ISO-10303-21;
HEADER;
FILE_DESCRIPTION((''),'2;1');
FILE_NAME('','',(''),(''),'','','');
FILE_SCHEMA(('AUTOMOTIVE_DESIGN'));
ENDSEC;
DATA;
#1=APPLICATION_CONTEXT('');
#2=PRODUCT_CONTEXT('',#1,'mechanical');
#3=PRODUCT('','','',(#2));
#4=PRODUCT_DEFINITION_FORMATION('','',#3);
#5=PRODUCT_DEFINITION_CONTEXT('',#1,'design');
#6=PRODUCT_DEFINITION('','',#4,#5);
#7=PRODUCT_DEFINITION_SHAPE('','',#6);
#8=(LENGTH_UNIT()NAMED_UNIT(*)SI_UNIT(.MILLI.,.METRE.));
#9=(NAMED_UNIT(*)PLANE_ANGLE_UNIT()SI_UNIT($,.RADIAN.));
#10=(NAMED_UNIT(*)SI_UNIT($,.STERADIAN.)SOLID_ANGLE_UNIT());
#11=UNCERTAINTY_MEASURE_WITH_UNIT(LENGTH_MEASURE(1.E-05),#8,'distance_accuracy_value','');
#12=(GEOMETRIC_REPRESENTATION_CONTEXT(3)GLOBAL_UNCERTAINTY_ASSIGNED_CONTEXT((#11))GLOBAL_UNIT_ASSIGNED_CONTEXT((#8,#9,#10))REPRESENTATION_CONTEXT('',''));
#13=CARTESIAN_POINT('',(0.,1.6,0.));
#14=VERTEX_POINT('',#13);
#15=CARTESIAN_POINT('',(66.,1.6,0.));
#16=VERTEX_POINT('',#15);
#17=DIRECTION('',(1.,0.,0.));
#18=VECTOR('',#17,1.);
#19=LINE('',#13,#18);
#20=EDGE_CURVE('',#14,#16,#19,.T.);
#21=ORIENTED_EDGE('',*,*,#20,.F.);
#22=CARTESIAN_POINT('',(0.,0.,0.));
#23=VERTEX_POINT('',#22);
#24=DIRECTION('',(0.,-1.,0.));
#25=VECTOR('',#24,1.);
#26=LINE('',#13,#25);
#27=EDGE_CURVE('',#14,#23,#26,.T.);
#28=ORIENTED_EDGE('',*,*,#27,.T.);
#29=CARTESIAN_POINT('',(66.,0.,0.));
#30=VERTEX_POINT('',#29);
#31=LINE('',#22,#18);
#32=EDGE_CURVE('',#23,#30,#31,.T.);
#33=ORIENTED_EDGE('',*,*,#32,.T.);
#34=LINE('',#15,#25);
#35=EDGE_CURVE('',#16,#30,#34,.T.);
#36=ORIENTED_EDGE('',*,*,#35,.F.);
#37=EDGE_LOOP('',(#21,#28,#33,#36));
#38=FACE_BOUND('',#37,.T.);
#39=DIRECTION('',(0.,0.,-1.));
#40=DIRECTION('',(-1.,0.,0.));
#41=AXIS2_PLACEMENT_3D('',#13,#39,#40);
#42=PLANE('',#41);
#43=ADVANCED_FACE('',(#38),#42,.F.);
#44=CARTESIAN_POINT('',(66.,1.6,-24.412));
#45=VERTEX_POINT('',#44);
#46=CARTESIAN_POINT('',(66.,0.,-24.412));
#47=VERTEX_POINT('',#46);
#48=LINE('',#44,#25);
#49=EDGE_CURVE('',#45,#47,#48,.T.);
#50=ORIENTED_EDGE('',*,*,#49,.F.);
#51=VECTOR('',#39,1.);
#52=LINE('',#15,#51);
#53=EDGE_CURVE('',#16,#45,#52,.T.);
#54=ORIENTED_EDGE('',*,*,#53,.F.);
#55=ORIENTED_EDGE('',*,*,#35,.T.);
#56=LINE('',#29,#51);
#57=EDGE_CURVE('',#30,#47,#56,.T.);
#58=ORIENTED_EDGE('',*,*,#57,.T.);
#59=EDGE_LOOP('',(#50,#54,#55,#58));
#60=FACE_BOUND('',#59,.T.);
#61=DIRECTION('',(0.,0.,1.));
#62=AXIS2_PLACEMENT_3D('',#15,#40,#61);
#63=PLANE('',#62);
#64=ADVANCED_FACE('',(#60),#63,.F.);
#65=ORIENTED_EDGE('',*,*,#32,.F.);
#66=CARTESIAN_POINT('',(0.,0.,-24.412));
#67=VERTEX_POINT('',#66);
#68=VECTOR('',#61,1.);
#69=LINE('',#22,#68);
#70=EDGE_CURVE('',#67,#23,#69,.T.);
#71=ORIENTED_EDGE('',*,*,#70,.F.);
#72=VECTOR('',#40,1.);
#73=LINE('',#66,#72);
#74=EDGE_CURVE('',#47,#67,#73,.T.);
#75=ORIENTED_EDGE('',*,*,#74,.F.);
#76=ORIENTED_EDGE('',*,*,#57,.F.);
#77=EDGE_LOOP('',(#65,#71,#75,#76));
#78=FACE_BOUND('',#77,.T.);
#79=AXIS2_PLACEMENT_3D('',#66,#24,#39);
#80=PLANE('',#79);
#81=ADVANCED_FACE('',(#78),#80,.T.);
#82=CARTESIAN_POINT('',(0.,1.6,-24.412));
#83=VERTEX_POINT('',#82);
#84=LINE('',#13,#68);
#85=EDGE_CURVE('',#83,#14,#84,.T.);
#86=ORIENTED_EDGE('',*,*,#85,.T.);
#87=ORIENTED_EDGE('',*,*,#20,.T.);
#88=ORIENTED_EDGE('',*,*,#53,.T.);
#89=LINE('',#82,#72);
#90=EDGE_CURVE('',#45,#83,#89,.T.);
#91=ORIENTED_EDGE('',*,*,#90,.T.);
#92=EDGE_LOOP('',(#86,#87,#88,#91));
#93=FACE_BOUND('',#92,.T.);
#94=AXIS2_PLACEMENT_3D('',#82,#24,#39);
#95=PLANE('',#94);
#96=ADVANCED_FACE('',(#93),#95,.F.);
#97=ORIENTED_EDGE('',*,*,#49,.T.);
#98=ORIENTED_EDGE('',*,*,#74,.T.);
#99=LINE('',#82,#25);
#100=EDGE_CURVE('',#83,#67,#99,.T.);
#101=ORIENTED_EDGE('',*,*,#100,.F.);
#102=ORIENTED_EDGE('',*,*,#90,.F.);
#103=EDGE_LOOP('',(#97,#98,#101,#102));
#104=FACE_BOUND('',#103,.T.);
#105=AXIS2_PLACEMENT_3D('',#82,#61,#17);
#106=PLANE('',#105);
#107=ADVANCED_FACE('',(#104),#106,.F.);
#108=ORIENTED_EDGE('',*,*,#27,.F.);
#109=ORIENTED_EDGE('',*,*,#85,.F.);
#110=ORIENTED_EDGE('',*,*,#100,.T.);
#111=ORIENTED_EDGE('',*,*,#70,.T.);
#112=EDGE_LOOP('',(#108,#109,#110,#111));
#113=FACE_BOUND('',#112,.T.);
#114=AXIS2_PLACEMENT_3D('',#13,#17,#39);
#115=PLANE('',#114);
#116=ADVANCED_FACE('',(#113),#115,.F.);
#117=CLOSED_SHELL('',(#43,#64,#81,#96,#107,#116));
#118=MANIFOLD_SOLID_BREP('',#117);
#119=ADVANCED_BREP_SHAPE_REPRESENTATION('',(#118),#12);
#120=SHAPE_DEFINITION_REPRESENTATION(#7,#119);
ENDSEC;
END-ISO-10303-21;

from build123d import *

# Parameters (mm, degrees)
SKETCH1_W      = 66
SKETCH1_H      = 24.412
EXTRUDE1_DEPTH = 1.6


with BuildPart() as part:
    # Sketch1 → Extrude1 (new body)
    with BuildSketch(Plane(origin=(0, 0, 0), x_dir=(1, 0, 0), z_dir=(0, 1, 0))):
        with Locations((33, 12.206)):
            Rectangle(SKETCH1_W, SKETCH1_H)
    extrude(amount=EXTRUDE1_DEPTH)


solid = part.part
